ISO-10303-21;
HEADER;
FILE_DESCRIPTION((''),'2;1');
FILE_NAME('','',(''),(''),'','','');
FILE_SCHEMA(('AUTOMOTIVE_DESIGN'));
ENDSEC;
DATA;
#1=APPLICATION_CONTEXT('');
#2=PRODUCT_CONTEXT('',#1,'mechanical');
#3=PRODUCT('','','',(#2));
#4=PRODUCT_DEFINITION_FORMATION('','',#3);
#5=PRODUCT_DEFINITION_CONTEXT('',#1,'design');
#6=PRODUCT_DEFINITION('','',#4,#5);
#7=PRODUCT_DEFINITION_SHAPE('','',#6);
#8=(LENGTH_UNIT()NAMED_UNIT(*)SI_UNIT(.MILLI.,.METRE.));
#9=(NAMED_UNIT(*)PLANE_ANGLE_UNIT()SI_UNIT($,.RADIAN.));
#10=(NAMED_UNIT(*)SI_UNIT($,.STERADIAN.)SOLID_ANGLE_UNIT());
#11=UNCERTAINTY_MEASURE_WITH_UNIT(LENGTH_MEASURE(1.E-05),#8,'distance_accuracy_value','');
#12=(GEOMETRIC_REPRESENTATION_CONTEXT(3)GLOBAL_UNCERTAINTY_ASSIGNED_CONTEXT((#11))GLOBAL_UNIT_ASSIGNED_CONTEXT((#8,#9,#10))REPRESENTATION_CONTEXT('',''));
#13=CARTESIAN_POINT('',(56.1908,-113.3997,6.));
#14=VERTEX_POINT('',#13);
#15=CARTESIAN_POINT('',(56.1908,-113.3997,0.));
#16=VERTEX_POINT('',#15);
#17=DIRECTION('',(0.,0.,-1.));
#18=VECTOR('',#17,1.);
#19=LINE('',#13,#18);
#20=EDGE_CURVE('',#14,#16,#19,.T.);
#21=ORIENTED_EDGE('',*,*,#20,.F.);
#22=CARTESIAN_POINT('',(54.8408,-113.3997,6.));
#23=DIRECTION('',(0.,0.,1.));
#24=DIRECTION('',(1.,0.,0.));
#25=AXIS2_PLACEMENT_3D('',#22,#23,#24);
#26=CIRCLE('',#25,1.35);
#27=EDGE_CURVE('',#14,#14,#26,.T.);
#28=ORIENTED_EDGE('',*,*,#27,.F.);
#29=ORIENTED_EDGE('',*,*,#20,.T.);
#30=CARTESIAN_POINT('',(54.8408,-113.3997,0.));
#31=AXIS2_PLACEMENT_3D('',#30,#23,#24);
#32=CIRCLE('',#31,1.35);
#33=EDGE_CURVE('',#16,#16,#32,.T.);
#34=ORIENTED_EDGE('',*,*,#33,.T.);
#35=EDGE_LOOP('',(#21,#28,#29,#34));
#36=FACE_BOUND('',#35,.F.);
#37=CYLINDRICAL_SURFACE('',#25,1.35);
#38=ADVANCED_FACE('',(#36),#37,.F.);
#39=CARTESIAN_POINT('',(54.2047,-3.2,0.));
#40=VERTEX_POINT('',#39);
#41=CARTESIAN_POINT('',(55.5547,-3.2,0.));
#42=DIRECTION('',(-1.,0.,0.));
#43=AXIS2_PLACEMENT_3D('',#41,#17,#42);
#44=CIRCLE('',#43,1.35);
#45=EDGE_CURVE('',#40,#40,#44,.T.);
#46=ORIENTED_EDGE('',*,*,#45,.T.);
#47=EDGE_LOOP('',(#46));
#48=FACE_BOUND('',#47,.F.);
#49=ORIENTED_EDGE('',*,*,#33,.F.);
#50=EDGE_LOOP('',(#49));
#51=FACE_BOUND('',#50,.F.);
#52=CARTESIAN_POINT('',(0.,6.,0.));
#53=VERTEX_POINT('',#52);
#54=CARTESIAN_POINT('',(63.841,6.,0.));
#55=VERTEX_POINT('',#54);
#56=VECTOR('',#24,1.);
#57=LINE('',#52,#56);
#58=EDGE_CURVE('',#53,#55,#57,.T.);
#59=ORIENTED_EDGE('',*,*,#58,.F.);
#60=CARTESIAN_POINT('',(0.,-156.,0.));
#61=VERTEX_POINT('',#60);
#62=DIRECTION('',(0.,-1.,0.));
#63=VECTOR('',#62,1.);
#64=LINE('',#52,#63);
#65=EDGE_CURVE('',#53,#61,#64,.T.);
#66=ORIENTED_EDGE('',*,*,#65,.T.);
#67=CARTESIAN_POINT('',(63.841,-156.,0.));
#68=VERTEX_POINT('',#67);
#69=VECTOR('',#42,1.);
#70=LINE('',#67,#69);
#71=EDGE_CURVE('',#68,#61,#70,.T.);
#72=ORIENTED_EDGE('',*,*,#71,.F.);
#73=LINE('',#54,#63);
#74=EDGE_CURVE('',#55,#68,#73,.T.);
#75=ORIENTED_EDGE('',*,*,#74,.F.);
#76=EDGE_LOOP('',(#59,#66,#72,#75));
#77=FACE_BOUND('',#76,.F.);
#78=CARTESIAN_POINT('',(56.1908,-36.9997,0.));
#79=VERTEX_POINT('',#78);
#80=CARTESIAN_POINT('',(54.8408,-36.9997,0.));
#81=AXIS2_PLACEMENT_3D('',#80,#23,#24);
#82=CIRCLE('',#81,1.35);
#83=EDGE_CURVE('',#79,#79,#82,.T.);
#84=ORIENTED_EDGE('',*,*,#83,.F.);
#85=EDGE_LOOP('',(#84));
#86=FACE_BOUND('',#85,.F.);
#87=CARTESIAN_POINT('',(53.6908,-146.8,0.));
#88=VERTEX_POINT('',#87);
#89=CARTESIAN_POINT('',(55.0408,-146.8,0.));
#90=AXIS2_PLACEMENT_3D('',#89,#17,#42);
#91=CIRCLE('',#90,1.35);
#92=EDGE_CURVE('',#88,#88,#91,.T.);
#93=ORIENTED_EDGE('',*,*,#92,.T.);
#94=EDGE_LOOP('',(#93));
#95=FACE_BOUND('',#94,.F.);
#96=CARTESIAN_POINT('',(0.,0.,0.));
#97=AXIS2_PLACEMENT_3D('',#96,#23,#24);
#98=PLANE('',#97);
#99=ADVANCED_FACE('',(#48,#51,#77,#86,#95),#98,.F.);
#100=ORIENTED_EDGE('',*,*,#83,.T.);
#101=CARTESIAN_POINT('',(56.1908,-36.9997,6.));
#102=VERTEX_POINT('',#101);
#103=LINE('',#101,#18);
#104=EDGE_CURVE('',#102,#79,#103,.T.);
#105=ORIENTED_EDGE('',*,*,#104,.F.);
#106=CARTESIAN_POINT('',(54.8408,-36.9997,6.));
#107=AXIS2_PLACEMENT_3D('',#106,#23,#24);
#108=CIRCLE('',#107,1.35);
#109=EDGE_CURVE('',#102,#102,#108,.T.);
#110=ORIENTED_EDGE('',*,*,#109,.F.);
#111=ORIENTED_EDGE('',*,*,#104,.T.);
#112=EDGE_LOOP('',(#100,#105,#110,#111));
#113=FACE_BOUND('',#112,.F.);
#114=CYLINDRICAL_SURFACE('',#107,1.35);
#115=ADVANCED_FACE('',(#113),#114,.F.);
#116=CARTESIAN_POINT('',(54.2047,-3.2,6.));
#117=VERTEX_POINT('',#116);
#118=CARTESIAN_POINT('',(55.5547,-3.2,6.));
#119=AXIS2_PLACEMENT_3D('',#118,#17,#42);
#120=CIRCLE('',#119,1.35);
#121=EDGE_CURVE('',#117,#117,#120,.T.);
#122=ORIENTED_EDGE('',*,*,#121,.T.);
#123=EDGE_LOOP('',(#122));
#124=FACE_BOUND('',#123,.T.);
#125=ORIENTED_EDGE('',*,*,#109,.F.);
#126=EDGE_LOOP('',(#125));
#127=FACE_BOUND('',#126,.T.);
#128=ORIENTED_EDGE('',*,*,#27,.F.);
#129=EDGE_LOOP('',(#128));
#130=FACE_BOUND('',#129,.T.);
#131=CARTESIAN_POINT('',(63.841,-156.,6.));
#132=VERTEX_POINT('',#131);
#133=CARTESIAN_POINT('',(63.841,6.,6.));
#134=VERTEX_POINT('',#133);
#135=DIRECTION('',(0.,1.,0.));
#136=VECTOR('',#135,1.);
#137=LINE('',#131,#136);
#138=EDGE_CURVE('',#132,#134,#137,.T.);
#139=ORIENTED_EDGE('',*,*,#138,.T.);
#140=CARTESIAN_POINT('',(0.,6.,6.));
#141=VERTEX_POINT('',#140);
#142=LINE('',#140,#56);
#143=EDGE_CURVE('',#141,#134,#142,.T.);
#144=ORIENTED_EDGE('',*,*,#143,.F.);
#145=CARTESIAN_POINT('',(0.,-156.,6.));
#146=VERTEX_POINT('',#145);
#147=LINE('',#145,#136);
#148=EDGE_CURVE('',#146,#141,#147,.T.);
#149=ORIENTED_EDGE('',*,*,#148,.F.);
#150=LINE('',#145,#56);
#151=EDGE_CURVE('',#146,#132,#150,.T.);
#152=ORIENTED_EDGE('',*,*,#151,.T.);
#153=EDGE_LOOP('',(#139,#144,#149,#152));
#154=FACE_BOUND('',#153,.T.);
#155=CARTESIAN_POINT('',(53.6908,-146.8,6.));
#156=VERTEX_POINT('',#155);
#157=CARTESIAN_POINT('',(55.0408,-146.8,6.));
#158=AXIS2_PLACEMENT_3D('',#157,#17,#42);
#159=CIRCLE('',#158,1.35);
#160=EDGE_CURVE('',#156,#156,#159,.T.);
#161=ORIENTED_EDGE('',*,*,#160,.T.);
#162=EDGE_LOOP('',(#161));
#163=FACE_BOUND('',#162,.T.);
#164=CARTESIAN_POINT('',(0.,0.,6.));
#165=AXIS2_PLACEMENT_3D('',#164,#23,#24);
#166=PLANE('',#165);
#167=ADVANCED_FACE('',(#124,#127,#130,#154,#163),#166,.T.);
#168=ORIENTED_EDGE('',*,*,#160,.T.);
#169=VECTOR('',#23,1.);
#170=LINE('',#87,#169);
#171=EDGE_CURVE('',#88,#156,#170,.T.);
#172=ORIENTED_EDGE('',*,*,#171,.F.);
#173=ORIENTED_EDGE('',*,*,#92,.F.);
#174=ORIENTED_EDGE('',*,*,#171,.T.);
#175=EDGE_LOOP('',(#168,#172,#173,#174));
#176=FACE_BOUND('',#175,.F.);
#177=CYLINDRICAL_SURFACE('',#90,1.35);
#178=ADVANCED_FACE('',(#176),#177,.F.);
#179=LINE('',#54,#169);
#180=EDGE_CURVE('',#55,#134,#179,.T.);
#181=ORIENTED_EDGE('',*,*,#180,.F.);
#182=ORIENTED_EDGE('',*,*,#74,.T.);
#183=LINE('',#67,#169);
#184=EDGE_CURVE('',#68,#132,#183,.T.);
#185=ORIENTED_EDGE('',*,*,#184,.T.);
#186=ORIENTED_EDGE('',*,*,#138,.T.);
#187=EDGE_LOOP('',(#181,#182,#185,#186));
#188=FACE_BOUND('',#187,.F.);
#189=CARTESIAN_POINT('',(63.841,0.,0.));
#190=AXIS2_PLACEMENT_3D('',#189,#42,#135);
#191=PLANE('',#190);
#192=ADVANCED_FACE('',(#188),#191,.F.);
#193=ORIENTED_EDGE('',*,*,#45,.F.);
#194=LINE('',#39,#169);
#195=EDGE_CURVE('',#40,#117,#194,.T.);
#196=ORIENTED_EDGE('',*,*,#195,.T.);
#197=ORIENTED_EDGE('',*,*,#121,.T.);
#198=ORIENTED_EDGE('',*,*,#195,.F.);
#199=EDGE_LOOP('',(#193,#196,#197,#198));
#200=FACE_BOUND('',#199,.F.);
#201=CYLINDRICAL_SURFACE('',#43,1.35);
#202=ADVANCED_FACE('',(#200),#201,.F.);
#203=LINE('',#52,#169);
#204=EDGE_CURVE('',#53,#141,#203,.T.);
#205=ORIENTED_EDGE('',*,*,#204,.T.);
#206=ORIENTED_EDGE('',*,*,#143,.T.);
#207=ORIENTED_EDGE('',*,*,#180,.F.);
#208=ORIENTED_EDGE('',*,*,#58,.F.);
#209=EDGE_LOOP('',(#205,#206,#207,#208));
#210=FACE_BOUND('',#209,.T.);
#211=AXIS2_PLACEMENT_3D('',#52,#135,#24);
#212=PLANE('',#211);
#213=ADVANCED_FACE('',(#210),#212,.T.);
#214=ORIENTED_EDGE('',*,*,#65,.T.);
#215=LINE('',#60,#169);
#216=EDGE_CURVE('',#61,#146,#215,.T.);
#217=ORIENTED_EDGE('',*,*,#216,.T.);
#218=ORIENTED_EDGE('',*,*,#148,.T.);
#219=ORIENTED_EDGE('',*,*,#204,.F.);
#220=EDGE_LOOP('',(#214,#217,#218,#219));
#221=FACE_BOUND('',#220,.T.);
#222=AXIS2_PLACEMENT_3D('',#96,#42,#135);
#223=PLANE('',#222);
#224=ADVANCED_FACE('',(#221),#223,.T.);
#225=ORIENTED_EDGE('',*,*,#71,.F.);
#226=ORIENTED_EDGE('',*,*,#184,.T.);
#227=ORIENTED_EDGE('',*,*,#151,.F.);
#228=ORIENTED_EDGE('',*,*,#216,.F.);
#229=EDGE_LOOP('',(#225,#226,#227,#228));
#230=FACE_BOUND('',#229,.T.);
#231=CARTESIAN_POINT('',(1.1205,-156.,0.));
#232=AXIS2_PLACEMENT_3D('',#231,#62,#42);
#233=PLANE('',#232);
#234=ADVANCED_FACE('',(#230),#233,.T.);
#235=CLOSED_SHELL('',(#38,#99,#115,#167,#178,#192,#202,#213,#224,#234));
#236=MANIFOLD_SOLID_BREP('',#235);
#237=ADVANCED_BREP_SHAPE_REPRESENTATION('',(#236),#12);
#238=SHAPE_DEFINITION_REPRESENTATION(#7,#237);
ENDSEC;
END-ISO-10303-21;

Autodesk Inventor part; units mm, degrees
ref_plane "YZ Plane" through (0, 0, 0) normal (1, 0, 0) x (0, 1, 0)
ref_plane "XZ Plane" through (0, 0, 0) normal (0, 1, 0) x (-1, 0, 0)
ref_plane "XY Plane" through (0, 0, 0) normal (0, 0, 1) x (1, 0, 0)
sketch "스케치1" plane through (0, 0, 0) normal (0, 0, 1) x (1, 0, 0)
  line L0 (0, 0) -> (63.841, 0) projected
  line L1 (63.841, 0) -> (63.841, 6) projected
  line L2 (0, 6) -> (63.841, 6) projected
  line L3 (0, 0) -> (0, 6) projected
  circle A0 centre (54.8408, -3) radius 1.45 projected
  line L4 (63.841, 0) -> (51.8408, 0) projected
  line L5 (51.8408, 0) -> (51.8408, -12) projected
  line L6 (51.8408, -12) -> (57.8409, -12) projected
  line L7 (57.8409, -12) -> (57.8409, -6) projected
  line L8 (57.8409, -6) -> (63.841, -6) projected
  line L9 (63.841, -6) -> (63.841, 0) projected
  line L10 (46.0408, 0) -> (46.0408, -150) projected
  line L11 (63.841, 6) -> (0, 6)
  line L12 (0, 6) -> (0, -150)
  line L13 (0, -150) -> (63.841, -150)
  line L14 (63.841, -150) -> (63.841, 6)
  line L15 (63.841, -75) -> (51.8408, -75)
  circle A1 centre (54.8408, -147) radius 1.45
  line L16 (63.841, -150) -> (51.8408, -150)
  line L17 (51.8408, -150) -> (51.8408, -138)
  line L18 (51.8408, -138) -> (57.8409, -138)
  line L19 (57.8409, -138) -> (57.8409, -144)
  line L20 (57.8409, -144) -> (63.841, -144)
  line L21 (63.841, -144) -> (63.841, -150)
  line L22 (1.1205, -156.4) -> (64.9491, -156.4) projected
  line L23 (64.9491, -156.4) -> (64.9491, -150.4) projected
  line L24 (1.1205, -150.4) -> (64.9491, -150.4) projected
  line L25 (1.1205, -156.4) -> (1.1205, -150.4) projected
  line L26 (63.841, -150) -> (63.841, -156)
  line L27 (0, -150) -> (0, -156)
  line L28 (63.841, -156) -> (0, -156)
  line L29 (63.841, -156) -> (0, -156)
  line L30 (0, -156) -> (0, -156.4)
  line L31 (0, -156.4) -> (63.841, -156.4)
  line L32 (63.841, -156.4) -> (63.841, -156)
  line L33 (5.8, -150) -> (5.8, 0) projected
  line L34 (46.0408, -150) -> (51.8408, -150) projected
  line L35 (51.8408, -150) -> (51.8408, 0) projected
  line L36 (51.8408, 0) -> (46.0408, 0) projected
  line L37 (0, 0) -> (0, -150) projected
  line L38 (0, -150) -> (5.8, -150) projected
  line L39 (5.8, 0) -> (0, 0) projected
  point P0 (0, -156)
  point P1 (1.1205, -156)
  point P2 (0, -156)
extrude "돌출1" add sketch "스케치1" along normal blind 6 contours L3 L2 L1 L0 | L0 L33 L13 L12 | L0 L10 L13 L33 | L13 L26 L24 L25 L28 L27 | L0 L5 L35 L17 L13 L10 | L0 L9 L8 L7 L6 L5 | L25 L24 L26 L28 | L6 L7 L8 L14 L15 L35 | L17 L18 L19 L20 L14 L13 | L15 L14 L20 L19 L18 L35 | A0 | A1
sketch "스케치2" plane through (0, 0, 6) normal (0, 0, 1) x (1, 0, 0)
  line L0 (63.841, 6) -> (0, 6) projected
  line L1 (31.9205, 6) -> (31.9205, -150)
  line L2 (0, -150) -> (63.841, -150) projected
  line L3 (63.841, -150) -> (63.841, 6) projected
  line L4 (63.841, -72) -> (0, -72)
  line L5 (0, 6) -> (0, -156) projected
  line L6 (31.9205, -72) -> (0, -72)
  line L7 (63.841, -72) -> (31.9205, -72)
  line L8 (47.8807, -72) -> (15.9603, -72)
  line L9 (47.8807, -52) -> (70.452, -52) construction
  line L10 (0, -72) -> (15.9603, -72)
  line L11 (55.9312, -52.0469) -> (55.8609, -92)
  line L12 (31.9205, -72) -> (47.8807, -72)
  line L13 (47.909, -97.3012) -> (7.9801, -72)
  line L14 (47.909, -46.6988) -> (7.9801, -72)
  line L15 (47.909, -97.3012) -> (55.8609, -92)
  line L16 (55.9312, -52.0469) -> (47.909, -46.6988)
  line L17 (49.5449, -99.8162) -> (58.858, -93.6074)
  line L18 (58.858, -93.6074) -> (58.9341, -50.4432)
  line L19 (58.9341, -50.4432) -> (49.5449, -44.1838)
  line L20 (46.2731, -99.8162) -> (2.3752, -72)
  line L21 (2.3752, -72) -> (46.2731, -44.1838)
  line L22 (46.2731, -44.1838) -> (49.5449, -44.1838)
  line L23 (49.5449, -99.8162) -> (46.2731, -99.8162)
  line L24 (55.8715, -85.95) -> (51.8815, -83.2899)
  line L25 (51.8815, -83.2899) -> (51.9201, -49.3728)
  line L26 (55.8609, -92) -> (47.8807, -92)
  line L27 (51.9201, -49.3728) -> (43.6889, -49.3728)
  line L28 (43.6889, -49.3728) -> (43.6889, -94.6272)
  line L29 (39.5429, -52) -> (43.6889, -52)
  line L30 (43.6889, -52) -> (43.6889, -92)
  line L31 (43.6889, -92) -> (39.5429, -92)
  line L32 (39.5429, -92) -> (39.5429, -52)
  line L33 (49.5449, -49.3728) -> (49.5449, -92)
  line L34 (47.8045, -49.3728) -> (43.6889, -49.3728)
  line L35 (45.7467, -49.3728) -> (45.7467, -95.9311)
  line L36 (43.6889, -52) -> (49.5449, -52)
  line L37 (39.5429, -92) -> (43.6889, -92)
  line L38 (43.6889, -92) -> (43.6889, -52)
  line L39 (43.6889, -52) -> (39.5429, -52)
  line L40 (39.5429, -52) -> (39.5429, -92)
  line L41 (47.8807, -92) -> (43.6889, -92)
  line L42 (47.8807, -92) -> (47.8807, -49.3728)
  point P0 (0, 0)
  dimension "d4" = 3
  dimension "d5" = 3
sketch "스케치3" plane through (0, 0, 6) normal (0, 0, 1) x (1, 0, 0)
  point P0 (0, 0)
sketch "스케치4" plane through (0, 0, 6) normal (0, 0, 1) x (1, 0, 0)
  circle A0 centre (54.8408, -36.9997) radius 1.35 projected
  line L0 (51.8408, -33.9997) -> (51.8408, -39.9997) projected
  line L1 (51.8408, -39.9997) -> (102.8408, -39.9997) projected
  line L2 (102.8408, -33.9997) -> (102.8408, -39.9997) projected
  line L3 (51.8408, -33.9997) -> (102.8408, -33.9997) projected
  circle A1 centre (54.8408, -113.3997) radius 1.35 projected
  line L4 (51.8408, -110.3997) -> (51.8408, -116.3997) projected
  line L5 (51.8408, -116.3997) -> (102.8408, -116.3997) projected
  line L6 (102.8408, -116.3997) -> (102.8408, -110.3997) projected
  line L7 (51.8408, -110.3997) -> (102.8408, -110.3997) projected
  point P0 (0, 0)
extrude "돌출2" cut sketch "스케치4" against normal blind 10 contours A0 | A1
sketch "스케치6" plane through (0, 0, 0) normal (0, 0, -1) x (-1, 0, 0)
  circle A0 centre (-55.0408, -146.8) radius 1.35 projected
  line L0 (-52.0408, -149.8) -> (-52.0408, -137.8) projected
  line L1 (-52.0408, -149.8) -> (-64.0408, -149.8) projected
  line L2 (-64.0408, -149.8) -> (-64.0408, -143.8) projected
  line L3 (-58.0408, -143.8) -> (-64.0408, -143.8) projected
  line L4 (-58.0408, -143.8) -> (-58.0408, -137.8) projected
  line L5 (-52.0408, -137.8) -> (-58.0408, -137.8) projected
  circle A1 centre (-55.5547, -3.2) radius 1.35 projected
  line L6 (-52.5547, -0.2) -> (-52.5547, -12.2) projected
  line L7 (-52.5547, -12.2) -> (-58.5547, -12.2) projected
  line L8 (-58.5547, -6.2) -> (-58.5547, -12.2) projected
  line L9 (-58.5547, -6.2) -> (-64.5547, -6.2) projected
  line L10 (-64.5547, -0.2) -> (-64.5547, -6.2) projected
  line L11 (-52.5547, -0.2) -> (-64.5547, -0.2) projected
  point P0 (0, 0)
extrude "돌출4" cut sketch "스케치6" against normal up to next contours A0 | A1
properties part number "부품76" material "PMMA 플라스틱"
